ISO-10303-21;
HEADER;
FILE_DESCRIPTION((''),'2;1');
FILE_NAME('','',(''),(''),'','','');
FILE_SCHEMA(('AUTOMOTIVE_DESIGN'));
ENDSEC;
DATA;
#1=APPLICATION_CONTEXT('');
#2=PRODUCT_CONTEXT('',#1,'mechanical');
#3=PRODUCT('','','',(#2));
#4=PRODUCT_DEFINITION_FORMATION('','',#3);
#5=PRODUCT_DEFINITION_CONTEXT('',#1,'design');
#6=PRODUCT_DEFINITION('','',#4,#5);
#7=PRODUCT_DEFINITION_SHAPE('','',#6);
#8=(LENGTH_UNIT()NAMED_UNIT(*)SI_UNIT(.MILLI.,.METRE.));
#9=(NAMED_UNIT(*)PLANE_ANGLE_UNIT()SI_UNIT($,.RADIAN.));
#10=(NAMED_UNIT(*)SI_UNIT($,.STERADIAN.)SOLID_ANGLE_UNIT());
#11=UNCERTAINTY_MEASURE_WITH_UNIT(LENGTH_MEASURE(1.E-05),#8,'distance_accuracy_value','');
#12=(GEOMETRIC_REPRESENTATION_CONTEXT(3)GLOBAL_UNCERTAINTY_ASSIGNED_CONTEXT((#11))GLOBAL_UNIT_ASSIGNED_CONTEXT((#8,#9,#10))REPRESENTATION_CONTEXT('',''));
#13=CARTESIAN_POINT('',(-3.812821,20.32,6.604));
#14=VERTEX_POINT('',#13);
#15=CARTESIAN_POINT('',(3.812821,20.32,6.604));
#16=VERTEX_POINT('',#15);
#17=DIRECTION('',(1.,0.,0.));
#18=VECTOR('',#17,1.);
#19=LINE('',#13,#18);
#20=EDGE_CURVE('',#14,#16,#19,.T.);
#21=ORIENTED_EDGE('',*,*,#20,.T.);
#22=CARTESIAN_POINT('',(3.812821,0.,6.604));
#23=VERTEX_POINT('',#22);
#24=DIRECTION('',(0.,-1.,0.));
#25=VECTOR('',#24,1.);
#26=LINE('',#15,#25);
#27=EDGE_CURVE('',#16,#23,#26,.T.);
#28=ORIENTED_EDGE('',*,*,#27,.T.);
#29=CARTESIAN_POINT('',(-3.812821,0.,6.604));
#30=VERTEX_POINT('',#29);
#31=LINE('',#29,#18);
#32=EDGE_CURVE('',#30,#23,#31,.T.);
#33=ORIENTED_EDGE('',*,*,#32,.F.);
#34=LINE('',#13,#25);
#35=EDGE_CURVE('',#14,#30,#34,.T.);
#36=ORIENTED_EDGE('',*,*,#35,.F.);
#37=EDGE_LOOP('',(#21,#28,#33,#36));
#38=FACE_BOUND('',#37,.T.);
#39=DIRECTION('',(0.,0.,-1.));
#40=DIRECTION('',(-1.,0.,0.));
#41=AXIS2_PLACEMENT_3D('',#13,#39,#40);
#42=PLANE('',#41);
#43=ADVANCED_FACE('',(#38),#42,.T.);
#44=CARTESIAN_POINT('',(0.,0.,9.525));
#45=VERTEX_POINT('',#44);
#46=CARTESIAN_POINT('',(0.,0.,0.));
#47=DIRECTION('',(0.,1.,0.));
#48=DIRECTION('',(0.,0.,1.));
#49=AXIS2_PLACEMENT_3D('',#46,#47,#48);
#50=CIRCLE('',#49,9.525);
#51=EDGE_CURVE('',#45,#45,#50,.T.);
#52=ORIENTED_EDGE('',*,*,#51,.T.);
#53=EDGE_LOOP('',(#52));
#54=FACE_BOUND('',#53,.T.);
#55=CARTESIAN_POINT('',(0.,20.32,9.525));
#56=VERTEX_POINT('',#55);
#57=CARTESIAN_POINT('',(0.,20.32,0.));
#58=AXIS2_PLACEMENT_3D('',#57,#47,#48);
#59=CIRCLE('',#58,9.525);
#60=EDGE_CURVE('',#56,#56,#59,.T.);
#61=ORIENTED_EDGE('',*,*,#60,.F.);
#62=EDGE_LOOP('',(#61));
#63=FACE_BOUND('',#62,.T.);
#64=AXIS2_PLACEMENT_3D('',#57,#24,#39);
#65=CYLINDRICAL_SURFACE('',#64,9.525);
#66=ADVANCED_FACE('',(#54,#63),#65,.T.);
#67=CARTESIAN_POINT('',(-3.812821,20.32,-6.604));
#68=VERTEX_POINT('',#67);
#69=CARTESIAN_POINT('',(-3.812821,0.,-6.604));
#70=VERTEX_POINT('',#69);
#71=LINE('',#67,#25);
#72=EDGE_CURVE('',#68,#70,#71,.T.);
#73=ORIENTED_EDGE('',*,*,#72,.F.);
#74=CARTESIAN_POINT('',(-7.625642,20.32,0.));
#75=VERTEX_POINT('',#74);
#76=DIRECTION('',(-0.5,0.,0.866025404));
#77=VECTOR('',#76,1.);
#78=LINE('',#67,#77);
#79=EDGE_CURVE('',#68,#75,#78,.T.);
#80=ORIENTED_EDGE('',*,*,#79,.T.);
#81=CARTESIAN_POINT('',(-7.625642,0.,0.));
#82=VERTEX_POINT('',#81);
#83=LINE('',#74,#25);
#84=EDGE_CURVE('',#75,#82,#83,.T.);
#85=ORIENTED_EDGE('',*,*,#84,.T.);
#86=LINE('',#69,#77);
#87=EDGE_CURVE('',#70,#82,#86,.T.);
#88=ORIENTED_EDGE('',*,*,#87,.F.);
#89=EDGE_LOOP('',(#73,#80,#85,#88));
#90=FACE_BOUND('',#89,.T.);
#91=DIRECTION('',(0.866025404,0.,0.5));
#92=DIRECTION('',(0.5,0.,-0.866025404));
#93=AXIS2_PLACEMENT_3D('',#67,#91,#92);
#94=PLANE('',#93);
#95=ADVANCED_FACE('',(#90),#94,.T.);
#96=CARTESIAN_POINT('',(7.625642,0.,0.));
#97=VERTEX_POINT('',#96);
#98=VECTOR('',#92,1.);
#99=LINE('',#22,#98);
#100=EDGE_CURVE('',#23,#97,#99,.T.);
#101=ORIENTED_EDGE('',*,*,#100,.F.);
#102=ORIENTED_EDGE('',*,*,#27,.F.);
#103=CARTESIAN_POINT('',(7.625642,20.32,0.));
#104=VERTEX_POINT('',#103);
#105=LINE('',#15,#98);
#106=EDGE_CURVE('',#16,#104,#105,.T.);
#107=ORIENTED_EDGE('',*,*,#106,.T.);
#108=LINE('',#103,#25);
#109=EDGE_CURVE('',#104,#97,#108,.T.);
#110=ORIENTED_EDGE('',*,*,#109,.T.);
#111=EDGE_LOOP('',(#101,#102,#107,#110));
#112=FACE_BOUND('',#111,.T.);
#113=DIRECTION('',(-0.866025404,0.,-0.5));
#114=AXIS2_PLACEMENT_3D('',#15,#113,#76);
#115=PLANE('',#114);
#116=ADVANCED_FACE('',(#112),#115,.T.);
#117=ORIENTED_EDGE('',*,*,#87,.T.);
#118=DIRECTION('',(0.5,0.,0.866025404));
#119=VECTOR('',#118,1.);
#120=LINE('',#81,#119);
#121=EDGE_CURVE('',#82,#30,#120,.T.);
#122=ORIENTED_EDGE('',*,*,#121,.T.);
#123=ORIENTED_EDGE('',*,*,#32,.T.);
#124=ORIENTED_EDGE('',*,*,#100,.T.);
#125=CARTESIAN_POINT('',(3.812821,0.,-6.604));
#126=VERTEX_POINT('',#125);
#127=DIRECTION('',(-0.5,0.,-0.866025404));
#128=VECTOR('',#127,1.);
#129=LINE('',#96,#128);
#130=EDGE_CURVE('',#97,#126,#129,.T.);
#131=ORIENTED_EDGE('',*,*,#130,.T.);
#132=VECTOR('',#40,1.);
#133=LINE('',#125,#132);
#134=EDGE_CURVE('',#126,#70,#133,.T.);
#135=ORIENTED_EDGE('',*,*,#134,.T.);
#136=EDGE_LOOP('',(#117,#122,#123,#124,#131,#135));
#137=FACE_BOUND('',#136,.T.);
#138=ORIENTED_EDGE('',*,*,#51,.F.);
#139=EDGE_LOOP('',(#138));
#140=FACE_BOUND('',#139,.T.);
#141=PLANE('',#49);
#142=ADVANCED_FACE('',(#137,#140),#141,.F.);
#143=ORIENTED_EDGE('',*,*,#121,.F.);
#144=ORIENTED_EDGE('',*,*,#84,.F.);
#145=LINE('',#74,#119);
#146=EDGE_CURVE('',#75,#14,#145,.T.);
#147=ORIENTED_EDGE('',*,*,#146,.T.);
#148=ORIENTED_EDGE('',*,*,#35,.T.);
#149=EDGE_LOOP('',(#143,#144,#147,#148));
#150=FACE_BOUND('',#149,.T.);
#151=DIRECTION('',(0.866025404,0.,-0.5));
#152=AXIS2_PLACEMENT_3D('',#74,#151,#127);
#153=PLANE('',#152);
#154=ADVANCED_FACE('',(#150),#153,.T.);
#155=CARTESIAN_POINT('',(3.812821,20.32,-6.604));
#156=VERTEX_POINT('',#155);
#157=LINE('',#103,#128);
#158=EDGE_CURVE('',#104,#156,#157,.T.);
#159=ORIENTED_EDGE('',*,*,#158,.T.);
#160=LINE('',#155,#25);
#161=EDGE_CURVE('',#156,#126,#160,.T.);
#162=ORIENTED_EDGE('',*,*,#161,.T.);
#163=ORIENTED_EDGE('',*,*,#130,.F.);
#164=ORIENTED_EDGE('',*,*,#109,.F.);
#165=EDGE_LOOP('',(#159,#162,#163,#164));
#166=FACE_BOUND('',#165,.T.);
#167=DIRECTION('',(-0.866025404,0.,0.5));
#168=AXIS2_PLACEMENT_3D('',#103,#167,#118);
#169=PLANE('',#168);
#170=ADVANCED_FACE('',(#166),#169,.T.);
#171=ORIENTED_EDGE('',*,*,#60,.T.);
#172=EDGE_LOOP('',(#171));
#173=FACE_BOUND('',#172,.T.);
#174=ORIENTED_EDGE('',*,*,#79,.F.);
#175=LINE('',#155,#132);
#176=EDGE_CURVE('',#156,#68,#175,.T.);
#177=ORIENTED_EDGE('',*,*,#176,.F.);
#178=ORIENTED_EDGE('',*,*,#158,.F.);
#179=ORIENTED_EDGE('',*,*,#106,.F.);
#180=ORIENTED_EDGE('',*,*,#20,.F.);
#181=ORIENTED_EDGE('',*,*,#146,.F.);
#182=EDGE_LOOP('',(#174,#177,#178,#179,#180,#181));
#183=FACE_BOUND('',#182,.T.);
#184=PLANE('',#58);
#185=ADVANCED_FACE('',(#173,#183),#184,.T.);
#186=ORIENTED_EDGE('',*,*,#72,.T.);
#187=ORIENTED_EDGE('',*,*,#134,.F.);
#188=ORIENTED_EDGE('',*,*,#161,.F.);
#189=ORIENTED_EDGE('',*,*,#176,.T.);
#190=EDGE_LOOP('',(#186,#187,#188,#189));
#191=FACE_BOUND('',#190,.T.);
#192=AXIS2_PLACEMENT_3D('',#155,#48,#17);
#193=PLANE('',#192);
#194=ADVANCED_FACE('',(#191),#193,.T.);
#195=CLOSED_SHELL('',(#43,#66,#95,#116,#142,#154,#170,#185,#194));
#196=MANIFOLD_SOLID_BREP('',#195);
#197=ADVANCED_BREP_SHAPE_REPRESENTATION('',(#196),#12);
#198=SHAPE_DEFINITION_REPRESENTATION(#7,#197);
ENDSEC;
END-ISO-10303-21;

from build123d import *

# Parameters (mm, degrees)
SKETCH1_R           = 9.525
BOSS_EXTRUDE1_DEPTH = 20.32


with BuildPart() as part:
    # Sketch1 → Boss-Extrude1 (new body)
    with BuildSketch(Plane(origin=(0, 0, 0), x_dir=(1, 0, 0), z_dir=(0, 1, 0))):
        Circle(SKETCH1_R)
        Polygon((3.812821178, 6.604), (-3.812821178, 6.604), (-7.625642355, 0), (-3.812821178, -6.604), (3.812821178, -6.604), (7.625642355, 0), align=None, mode=Mode.SUBTRACT)
    extrude(amount=BOSS_EXTRUDE1_DEPTH)


solid = part.part
